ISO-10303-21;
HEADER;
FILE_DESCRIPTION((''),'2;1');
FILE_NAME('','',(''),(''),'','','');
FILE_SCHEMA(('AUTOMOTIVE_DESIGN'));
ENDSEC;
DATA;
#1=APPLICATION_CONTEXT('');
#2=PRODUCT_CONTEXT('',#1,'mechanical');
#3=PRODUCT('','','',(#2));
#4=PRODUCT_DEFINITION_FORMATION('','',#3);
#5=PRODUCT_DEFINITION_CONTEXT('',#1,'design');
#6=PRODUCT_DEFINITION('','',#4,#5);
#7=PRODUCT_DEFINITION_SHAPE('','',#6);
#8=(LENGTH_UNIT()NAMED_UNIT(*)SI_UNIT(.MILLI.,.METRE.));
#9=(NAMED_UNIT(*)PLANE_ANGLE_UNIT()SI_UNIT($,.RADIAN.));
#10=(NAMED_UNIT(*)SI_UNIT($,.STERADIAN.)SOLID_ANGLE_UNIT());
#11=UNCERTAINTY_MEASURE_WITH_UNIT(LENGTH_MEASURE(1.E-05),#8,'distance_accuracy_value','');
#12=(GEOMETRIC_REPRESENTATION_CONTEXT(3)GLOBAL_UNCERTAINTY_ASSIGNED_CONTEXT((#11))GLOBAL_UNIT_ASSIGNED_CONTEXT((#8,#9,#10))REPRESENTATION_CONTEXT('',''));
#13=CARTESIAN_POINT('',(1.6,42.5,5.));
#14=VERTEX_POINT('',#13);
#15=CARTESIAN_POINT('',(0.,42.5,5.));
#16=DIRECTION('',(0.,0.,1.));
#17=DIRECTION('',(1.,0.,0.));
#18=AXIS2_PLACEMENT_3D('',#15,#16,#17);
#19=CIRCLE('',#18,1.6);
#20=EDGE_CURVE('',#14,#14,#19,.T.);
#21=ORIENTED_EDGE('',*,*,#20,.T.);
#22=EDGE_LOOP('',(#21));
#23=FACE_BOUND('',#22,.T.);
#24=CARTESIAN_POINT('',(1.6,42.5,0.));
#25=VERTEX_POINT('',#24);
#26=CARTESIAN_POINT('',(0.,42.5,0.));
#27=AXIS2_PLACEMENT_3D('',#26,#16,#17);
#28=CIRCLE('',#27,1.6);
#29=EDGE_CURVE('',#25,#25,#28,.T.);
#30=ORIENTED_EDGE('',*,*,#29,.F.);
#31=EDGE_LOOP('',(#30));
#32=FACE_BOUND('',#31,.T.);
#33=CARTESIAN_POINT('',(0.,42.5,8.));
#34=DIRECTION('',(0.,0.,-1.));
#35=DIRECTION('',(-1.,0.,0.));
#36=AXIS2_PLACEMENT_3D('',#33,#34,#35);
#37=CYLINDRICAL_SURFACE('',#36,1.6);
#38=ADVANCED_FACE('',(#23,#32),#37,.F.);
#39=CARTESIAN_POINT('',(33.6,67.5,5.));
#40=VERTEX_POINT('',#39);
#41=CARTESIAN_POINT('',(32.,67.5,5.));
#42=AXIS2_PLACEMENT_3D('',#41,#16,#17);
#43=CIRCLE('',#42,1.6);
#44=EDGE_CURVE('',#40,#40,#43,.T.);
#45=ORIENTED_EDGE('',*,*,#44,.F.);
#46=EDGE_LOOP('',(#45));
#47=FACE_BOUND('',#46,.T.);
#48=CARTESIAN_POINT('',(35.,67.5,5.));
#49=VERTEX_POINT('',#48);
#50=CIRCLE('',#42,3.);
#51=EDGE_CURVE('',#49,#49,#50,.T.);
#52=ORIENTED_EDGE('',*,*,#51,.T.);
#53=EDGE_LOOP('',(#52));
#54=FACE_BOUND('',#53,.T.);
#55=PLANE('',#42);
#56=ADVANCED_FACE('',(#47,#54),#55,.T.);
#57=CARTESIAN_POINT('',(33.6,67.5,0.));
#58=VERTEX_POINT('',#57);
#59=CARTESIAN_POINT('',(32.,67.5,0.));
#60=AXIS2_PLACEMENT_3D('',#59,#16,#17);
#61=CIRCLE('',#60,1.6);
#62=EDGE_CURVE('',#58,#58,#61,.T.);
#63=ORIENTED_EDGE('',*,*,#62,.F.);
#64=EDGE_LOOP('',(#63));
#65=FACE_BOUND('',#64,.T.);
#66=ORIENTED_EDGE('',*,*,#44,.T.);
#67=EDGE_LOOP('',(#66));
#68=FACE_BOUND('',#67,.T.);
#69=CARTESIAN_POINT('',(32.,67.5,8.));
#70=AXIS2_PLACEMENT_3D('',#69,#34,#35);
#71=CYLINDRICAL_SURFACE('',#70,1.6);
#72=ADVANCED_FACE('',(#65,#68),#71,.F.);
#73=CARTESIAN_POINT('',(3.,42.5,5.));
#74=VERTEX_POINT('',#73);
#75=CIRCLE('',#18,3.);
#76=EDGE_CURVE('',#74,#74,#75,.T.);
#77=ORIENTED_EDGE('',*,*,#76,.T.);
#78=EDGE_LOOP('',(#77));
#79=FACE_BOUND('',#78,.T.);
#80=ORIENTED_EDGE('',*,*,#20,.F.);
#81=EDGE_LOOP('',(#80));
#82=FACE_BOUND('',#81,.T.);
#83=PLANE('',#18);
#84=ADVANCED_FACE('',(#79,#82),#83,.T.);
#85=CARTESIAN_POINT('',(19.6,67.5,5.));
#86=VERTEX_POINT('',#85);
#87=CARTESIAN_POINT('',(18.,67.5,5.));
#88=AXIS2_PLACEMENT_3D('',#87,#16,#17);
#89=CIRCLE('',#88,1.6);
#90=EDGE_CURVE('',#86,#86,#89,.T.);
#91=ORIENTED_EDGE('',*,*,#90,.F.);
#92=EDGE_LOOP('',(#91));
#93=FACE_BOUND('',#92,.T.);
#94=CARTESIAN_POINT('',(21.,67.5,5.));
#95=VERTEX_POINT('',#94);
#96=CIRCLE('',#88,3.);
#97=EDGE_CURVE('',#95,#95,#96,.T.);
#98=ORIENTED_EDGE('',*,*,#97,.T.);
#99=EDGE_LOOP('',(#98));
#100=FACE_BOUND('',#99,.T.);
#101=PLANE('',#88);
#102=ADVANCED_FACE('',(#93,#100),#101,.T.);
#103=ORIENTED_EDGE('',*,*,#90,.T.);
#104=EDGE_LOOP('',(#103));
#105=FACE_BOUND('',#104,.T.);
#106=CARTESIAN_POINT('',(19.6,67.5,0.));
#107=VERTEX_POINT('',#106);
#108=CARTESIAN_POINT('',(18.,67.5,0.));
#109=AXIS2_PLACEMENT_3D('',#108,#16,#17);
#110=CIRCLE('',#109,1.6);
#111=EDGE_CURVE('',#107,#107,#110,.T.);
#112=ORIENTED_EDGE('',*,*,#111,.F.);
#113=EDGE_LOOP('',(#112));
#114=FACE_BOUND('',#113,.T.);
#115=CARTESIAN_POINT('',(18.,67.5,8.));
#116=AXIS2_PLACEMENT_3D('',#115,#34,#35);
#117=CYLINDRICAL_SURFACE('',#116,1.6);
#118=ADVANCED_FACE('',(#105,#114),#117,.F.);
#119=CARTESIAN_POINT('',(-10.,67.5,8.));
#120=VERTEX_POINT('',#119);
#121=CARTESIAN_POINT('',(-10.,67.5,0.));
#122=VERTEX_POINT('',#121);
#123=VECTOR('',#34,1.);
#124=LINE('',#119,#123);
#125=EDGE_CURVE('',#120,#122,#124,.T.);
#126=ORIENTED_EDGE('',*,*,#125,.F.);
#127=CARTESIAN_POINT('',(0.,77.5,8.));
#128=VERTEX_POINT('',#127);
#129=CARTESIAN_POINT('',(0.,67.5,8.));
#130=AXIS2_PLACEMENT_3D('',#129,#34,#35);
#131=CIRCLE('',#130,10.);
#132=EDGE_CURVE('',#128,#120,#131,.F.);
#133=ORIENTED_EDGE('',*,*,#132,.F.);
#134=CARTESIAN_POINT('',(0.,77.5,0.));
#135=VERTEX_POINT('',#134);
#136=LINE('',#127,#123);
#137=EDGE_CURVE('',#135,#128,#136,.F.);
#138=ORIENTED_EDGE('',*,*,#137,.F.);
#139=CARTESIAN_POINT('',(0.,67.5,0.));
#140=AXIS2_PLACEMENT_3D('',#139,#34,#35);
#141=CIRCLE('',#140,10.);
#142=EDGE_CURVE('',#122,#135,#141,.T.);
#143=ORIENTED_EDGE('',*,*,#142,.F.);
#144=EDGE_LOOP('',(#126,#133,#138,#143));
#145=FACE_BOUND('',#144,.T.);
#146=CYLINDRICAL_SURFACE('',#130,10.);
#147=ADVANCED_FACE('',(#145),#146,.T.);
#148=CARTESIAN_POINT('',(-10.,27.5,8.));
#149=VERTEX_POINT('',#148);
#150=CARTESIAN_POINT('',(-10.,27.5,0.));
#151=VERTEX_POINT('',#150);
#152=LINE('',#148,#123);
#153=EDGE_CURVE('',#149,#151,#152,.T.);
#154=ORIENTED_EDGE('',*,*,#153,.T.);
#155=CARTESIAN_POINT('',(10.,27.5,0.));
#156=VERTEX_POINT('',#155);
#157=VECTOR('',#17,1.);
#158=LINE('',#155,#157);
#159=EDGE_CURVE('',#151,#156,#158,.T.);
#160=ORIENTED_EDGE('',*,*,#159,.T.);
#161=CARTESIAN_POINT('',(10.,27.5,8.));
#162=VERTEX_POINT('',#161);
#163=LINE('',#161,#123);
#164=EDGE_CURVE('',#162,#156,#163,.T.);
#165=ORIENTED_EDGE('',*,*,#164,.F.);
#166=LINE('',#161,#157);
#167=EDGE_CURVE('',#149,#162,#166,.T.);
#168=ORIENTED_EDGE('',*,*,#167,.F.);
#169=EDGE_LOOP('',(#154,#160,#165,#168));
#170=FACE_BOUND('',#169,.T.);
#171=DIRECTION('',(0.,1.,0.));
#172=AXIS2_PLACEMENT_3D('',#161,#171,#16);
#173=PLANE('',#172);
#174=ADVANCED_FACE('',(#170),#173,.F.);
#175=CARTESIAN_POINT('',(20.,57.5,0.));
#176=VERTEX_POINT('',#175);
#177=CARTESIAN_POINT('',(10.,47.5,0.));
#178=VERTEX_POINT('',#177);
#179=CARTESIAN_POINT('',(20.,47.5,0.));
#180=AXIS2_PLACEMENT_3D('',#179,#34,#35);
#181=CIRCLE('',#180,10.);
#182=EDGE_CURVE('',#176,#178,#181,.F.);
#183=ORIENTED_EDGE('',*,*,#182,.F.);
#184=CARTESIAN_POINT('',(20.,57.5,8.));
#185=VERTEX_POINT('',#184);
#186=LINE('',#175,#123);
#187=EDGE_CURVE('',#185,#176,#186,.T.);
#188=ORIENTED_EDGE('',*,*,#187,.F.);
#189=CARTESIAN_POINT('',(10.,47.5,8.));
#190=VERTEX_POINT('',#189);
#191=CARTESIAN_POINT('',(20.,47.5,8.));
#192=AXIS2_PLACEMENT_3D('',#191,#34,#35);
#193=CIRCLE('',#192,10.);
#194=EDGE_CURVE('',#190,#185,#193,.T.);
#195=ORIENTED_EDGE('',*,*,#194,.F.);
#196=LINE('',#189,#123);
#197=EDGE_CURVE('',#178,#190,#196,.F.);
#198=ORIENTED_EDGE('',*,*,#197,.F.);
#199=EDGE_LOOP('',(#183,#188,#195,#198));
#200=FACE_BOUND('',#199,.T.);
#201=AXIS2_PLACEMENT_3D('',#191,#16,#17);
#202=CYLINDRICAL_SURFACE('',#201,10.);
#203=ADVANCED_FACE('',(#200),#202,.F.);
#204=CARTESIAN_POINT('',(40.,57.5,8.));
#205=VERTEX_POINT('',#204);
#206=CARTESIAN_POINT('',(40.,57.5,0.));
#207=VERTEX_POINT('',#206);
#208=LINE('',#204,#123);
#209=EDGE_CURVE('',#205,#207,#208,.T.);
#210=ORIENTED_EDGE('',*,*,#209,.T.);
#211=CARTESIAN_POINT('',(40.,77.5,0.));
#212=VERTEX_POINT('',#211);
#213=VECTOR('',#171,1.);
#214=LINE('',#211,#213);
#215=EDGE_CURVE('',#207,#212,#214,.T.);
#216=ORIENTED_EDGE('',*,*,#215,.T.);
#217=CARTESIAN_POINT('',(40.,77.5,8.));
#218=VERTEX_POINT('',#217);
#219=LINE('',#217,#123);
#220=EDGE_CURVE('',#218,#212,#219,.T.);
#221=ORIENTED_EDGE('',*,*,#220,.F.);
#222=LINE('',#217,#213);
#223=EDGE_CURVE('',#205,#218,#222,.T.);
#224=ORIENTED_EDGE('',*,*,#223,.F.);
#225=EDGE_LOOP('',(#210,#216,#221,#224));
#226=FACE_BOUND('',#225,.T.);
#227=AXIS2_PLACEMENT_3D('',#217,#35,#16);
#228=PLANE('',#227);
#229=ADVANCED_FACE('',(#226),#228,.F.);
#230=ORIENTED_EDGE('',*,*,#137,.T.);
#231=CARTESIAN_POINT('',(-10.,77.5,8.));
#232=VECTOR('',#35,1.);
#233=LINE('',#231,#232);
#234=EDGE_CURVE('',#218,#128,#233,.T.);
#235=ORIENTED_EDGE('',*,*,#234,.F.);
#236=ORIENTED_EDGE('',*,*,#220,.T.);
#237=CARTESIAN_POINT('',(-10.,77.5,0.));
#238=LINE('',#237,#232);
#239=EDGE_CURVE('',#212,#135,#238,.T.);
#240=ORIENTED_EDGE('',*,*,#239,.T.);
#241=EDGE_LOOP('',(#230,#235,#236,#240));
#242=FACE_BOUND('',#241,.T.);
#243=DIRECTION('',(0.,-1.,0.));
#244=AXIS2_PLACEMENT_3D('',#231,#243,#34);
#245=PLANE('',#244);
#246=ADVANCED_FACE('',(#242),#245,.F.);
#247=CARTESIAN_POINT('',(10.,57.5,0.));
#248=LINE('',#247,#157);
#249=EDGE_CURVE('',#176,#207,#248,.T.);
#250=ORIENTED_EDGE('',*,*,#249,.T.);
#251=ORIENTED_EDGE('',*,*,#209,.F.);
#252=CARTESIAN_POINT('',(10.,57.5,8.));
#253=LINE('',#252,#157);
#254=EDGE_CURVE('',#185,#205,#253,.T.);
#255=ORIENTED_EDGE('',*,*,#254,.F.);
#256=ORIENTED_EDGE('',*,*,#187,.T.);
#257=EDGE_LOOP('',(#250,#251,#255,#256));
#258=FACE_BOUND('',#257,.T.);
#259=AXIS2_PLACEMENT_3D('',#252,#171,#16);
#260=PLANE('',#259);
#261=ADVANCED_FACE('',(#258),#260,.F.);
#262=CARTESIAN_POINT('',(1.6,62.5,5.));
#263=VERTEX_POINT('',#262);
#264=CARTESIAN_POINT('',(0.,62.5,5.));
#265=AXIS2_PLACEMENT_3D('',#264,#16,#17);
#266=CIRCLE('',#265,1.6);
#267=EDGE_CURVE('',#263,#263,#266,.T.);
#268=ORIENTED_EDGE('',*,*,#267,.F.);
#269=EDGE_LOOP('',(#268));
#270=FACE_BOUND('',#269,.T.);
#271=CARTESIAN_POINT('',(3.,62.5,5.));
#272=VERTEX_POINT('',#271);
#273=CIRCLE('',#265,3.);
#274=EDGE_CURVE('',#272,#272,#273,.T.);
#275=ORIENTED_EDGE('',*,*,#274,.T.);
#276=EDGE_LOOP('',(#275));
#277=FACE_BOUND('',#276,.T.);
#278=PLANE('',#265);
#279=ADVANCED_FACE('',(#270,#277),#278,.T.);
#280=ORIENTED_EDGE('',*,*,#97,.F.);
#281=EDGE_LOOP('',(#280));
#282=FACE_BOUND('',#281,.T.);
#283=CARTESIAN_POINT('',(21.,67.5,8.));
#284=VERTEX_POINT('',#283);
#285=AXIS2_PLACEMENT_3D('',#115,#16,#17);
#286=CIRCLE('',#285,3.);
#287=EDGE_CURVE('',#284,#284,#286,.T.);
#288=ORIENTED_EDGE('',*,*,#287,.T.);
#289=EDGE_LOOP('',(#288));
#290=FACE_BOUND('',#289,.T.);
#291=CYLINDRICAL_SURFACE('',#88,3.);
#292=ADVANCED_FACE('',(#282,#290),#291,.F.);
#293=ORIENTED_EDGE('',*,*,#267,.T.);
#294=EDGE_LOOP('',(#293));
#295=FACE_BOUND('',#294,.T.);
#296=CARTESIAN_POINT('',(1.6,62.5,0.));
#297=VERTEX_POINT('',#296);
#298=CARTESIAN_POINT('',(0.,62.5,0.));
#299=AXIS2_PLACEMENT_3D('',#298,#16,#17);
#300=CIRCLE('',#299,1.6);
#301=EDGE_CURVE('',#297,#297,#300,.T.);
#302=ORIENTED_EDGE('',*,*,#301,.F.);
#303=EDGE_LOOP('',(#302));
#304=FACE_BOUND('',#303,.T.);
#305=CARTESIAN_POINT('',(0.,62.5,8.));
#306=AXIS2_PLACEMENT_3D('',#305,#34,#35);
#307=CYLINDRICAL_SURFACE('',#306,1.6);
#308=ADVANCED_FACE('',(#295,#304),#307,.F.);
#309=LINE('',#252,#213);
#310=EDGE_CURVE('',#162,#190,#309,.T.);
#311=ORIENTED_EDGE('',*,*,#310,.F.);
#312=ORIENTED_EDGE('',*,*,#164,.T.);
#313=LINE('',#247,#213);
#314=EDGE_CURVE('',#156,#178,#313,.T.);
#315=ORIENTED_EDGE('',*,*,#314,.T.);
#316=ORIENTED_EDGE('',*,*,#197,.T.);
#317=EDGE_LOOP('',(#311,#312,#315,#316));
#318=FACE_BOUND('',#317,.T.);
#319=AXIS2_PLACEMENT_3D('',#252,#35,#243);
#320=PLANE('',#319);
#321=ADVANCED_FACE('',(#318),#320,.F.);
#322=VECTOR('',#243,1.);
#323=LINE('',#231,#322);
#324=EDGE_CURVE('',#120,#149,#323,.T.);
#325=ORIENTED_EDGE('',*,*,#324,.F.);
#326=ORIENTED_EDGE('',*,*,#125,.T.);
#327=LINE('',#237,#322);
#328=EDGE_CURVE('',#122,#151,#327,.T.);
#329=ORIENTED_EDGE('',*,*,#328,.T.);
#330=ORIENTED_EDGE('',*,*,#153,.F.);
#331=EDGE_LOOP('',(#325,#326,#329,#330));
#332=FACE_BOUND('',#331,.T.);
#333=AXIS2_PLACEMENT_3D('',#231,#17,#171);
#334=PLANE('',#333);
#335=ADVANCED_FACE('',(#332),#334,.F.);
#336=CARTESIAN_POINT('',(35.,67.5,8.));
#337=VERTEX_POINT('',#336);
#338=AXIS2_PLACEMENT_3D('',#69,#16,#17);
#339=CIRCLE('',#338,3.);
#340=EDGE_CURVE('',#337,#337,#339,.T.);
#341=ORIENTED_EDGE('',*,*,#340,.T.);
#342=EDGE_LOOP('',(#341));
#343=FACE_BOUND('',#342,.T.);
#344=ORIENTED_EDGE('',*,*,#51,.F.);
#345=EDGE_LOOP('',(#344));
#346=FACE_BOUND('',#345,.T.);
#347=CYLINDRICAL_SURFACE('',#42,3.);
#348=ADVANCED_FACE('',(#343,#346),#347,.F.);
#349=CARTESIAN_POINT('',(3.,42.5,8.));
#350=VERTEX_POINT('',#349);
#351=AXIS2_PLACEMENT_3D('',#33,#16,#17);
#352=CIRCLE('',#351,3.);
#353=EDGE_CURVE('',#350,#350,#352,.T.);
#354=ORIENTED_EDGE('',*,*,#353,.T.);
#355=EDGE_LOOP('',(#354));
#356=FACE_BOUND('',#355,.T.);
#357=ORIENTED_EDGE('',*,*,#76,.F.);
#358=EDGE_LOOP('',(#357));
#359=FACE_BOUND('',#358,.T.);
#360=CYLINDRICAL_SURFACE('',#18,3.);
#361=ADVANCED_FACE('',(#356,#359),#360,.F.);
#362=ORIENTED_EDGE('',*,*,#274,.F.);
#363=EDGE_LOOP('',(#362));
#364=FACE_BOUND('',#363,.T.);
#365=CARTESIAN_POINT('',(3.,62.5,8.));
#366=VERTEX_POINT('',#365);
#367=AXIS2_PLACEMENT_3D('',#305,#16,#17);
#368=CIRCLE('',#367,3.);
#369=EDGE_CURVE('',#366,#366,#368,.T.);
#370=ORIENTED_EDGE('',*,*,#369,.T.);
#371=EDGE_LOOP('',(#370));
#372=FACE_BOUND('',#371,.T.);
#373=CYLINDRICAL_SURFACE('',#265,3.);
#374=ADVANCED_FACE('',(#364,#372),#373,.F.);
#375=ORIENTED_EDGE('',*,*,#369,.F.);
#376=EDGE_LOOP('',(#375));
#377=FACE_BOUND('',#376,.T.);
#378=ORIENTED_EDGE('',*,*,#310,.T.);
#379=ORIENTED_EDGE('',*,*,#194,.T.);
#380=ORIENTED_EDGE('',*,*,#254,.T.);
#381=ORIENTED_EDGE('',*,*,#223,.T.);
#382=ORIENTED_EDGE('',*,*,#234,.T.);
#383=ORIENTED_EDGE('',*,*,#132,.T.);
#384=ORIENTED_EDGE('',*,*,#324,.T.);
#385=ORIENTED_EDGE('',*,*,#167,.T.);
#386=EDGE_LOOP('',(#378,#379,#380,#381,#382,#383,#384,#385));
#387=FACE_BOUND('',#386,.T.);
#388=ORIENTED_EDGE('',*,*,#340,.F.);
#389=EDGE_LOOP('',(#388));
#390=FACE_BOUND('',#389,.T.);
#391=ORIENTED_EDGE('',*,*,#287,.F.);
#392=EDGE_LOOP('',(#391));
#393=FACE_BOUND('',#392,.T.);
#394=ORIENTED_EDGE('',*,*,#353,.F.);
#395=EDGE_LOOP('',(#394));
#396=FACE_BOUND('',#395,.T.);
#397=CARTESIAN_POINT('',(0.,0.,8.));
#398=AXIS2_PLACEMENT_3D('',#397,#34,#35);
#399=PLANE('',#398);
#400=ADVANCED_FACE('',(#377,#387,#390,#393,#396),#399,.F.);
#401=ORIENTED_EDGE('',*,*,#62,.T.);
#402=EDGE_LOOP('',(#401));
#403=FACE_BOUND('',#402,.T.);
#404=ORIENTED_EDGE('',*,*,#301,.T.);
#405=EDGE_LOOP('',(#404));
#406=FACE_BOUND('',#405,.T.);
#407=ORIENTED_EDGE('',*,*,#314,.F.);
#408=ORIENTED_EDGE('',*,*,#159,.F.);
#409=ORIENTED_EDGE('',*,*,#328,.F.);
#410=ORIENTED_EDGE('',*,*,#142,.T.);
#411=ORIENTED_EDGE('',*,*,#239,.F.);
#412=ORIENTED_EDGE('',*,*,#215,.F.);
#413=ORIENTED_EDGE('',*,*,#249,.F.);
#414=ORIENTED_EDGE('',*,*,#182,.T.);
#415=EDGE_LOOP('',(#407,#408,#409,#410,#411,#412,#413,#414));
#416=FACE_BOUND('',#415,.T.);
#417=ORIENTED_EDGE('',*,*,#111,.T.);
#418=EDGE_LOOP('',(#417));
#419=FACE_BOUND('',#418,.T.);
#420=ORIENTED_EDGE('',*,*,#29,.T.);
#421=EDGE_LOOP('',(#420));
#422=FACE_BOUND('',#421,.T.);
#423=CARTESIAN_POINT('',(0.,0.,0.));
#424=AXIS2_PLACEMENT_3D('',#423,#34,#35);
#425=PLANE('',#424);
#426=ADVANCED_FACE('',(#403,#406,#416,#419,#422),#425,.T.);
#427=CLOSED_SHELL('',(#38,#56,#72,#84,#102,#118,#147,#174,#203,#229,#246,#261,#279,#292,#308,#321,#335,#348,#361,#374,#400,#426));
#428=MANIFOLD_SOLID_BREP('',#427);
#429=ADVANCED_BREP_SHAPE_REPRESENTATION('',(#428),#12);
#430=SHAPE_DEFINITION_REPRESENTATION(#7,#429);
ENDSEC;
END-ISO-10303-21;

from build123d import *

# Parameters (mm, degrees)
SKETCH_1_R          = 1.6
EXTRUDE_1_DEPTH     = 8
SKETCH_2_R          = 3
CUT_EXTRUDE_1_DEPTH = 3
FILLET_1_R          = 10


with BuildPart() as part:
    # 草图1 → 凸台-拉伸1 (new body)
    with BuildSketch(Plane.XY):
        Polygon((10, 57.5), (10, 27.5), (-10, 27.5), (-10, 77.5), (40, 77.5), (40, 57.5), align=None)
        with Locations((32, 67.5)):
            Circle(SKETCH_1_R, mode=Mode.SUBTRACT)
        with Locations((18, 67.5)):
            Circle(SKETCH_1_R, mode=Mode.SUBTRACT)
        with Locations((0, 62.5)):
            Circle(SKETCH_1_R, mode=Mode.SUBTRACT)
        with Locations((0, 42.5)):
            Circle(SKETCH_1_R, mode=Mode.SUBTRACT)
    extrude(amount=EXTRUDE_1_DEPTH)

    # 草图2 → 切除-拉伸1 (cut)
    with BuildSketch(Plane.XY.offset(8)):
        with Locations((32, 67.5)):
            Circle(SKETCH_2_R)
        with Locations((18, 67.5)):
            Circle(SKETCH_2_R)
        with Locations((0, 62.5)):
            Circle(SKETCH_2_R)
        with Locations((0, 42.5)):
            Circle(SKETCH_2_R)
    extrude(amount=-CUT_EXTRUDE_1_DEPTH, mode=Mode.SUBTRACT)

    # 圆角1
    fillet_1_edges = [part.edges().sort_by_distance(p)[0] for p in [
        (-10, 77.5, 4),
        (10, 57.5, 4),
    ]]
    fillet(fillet_1_edges, radius=FILLET_1_R)


solid = part.part
